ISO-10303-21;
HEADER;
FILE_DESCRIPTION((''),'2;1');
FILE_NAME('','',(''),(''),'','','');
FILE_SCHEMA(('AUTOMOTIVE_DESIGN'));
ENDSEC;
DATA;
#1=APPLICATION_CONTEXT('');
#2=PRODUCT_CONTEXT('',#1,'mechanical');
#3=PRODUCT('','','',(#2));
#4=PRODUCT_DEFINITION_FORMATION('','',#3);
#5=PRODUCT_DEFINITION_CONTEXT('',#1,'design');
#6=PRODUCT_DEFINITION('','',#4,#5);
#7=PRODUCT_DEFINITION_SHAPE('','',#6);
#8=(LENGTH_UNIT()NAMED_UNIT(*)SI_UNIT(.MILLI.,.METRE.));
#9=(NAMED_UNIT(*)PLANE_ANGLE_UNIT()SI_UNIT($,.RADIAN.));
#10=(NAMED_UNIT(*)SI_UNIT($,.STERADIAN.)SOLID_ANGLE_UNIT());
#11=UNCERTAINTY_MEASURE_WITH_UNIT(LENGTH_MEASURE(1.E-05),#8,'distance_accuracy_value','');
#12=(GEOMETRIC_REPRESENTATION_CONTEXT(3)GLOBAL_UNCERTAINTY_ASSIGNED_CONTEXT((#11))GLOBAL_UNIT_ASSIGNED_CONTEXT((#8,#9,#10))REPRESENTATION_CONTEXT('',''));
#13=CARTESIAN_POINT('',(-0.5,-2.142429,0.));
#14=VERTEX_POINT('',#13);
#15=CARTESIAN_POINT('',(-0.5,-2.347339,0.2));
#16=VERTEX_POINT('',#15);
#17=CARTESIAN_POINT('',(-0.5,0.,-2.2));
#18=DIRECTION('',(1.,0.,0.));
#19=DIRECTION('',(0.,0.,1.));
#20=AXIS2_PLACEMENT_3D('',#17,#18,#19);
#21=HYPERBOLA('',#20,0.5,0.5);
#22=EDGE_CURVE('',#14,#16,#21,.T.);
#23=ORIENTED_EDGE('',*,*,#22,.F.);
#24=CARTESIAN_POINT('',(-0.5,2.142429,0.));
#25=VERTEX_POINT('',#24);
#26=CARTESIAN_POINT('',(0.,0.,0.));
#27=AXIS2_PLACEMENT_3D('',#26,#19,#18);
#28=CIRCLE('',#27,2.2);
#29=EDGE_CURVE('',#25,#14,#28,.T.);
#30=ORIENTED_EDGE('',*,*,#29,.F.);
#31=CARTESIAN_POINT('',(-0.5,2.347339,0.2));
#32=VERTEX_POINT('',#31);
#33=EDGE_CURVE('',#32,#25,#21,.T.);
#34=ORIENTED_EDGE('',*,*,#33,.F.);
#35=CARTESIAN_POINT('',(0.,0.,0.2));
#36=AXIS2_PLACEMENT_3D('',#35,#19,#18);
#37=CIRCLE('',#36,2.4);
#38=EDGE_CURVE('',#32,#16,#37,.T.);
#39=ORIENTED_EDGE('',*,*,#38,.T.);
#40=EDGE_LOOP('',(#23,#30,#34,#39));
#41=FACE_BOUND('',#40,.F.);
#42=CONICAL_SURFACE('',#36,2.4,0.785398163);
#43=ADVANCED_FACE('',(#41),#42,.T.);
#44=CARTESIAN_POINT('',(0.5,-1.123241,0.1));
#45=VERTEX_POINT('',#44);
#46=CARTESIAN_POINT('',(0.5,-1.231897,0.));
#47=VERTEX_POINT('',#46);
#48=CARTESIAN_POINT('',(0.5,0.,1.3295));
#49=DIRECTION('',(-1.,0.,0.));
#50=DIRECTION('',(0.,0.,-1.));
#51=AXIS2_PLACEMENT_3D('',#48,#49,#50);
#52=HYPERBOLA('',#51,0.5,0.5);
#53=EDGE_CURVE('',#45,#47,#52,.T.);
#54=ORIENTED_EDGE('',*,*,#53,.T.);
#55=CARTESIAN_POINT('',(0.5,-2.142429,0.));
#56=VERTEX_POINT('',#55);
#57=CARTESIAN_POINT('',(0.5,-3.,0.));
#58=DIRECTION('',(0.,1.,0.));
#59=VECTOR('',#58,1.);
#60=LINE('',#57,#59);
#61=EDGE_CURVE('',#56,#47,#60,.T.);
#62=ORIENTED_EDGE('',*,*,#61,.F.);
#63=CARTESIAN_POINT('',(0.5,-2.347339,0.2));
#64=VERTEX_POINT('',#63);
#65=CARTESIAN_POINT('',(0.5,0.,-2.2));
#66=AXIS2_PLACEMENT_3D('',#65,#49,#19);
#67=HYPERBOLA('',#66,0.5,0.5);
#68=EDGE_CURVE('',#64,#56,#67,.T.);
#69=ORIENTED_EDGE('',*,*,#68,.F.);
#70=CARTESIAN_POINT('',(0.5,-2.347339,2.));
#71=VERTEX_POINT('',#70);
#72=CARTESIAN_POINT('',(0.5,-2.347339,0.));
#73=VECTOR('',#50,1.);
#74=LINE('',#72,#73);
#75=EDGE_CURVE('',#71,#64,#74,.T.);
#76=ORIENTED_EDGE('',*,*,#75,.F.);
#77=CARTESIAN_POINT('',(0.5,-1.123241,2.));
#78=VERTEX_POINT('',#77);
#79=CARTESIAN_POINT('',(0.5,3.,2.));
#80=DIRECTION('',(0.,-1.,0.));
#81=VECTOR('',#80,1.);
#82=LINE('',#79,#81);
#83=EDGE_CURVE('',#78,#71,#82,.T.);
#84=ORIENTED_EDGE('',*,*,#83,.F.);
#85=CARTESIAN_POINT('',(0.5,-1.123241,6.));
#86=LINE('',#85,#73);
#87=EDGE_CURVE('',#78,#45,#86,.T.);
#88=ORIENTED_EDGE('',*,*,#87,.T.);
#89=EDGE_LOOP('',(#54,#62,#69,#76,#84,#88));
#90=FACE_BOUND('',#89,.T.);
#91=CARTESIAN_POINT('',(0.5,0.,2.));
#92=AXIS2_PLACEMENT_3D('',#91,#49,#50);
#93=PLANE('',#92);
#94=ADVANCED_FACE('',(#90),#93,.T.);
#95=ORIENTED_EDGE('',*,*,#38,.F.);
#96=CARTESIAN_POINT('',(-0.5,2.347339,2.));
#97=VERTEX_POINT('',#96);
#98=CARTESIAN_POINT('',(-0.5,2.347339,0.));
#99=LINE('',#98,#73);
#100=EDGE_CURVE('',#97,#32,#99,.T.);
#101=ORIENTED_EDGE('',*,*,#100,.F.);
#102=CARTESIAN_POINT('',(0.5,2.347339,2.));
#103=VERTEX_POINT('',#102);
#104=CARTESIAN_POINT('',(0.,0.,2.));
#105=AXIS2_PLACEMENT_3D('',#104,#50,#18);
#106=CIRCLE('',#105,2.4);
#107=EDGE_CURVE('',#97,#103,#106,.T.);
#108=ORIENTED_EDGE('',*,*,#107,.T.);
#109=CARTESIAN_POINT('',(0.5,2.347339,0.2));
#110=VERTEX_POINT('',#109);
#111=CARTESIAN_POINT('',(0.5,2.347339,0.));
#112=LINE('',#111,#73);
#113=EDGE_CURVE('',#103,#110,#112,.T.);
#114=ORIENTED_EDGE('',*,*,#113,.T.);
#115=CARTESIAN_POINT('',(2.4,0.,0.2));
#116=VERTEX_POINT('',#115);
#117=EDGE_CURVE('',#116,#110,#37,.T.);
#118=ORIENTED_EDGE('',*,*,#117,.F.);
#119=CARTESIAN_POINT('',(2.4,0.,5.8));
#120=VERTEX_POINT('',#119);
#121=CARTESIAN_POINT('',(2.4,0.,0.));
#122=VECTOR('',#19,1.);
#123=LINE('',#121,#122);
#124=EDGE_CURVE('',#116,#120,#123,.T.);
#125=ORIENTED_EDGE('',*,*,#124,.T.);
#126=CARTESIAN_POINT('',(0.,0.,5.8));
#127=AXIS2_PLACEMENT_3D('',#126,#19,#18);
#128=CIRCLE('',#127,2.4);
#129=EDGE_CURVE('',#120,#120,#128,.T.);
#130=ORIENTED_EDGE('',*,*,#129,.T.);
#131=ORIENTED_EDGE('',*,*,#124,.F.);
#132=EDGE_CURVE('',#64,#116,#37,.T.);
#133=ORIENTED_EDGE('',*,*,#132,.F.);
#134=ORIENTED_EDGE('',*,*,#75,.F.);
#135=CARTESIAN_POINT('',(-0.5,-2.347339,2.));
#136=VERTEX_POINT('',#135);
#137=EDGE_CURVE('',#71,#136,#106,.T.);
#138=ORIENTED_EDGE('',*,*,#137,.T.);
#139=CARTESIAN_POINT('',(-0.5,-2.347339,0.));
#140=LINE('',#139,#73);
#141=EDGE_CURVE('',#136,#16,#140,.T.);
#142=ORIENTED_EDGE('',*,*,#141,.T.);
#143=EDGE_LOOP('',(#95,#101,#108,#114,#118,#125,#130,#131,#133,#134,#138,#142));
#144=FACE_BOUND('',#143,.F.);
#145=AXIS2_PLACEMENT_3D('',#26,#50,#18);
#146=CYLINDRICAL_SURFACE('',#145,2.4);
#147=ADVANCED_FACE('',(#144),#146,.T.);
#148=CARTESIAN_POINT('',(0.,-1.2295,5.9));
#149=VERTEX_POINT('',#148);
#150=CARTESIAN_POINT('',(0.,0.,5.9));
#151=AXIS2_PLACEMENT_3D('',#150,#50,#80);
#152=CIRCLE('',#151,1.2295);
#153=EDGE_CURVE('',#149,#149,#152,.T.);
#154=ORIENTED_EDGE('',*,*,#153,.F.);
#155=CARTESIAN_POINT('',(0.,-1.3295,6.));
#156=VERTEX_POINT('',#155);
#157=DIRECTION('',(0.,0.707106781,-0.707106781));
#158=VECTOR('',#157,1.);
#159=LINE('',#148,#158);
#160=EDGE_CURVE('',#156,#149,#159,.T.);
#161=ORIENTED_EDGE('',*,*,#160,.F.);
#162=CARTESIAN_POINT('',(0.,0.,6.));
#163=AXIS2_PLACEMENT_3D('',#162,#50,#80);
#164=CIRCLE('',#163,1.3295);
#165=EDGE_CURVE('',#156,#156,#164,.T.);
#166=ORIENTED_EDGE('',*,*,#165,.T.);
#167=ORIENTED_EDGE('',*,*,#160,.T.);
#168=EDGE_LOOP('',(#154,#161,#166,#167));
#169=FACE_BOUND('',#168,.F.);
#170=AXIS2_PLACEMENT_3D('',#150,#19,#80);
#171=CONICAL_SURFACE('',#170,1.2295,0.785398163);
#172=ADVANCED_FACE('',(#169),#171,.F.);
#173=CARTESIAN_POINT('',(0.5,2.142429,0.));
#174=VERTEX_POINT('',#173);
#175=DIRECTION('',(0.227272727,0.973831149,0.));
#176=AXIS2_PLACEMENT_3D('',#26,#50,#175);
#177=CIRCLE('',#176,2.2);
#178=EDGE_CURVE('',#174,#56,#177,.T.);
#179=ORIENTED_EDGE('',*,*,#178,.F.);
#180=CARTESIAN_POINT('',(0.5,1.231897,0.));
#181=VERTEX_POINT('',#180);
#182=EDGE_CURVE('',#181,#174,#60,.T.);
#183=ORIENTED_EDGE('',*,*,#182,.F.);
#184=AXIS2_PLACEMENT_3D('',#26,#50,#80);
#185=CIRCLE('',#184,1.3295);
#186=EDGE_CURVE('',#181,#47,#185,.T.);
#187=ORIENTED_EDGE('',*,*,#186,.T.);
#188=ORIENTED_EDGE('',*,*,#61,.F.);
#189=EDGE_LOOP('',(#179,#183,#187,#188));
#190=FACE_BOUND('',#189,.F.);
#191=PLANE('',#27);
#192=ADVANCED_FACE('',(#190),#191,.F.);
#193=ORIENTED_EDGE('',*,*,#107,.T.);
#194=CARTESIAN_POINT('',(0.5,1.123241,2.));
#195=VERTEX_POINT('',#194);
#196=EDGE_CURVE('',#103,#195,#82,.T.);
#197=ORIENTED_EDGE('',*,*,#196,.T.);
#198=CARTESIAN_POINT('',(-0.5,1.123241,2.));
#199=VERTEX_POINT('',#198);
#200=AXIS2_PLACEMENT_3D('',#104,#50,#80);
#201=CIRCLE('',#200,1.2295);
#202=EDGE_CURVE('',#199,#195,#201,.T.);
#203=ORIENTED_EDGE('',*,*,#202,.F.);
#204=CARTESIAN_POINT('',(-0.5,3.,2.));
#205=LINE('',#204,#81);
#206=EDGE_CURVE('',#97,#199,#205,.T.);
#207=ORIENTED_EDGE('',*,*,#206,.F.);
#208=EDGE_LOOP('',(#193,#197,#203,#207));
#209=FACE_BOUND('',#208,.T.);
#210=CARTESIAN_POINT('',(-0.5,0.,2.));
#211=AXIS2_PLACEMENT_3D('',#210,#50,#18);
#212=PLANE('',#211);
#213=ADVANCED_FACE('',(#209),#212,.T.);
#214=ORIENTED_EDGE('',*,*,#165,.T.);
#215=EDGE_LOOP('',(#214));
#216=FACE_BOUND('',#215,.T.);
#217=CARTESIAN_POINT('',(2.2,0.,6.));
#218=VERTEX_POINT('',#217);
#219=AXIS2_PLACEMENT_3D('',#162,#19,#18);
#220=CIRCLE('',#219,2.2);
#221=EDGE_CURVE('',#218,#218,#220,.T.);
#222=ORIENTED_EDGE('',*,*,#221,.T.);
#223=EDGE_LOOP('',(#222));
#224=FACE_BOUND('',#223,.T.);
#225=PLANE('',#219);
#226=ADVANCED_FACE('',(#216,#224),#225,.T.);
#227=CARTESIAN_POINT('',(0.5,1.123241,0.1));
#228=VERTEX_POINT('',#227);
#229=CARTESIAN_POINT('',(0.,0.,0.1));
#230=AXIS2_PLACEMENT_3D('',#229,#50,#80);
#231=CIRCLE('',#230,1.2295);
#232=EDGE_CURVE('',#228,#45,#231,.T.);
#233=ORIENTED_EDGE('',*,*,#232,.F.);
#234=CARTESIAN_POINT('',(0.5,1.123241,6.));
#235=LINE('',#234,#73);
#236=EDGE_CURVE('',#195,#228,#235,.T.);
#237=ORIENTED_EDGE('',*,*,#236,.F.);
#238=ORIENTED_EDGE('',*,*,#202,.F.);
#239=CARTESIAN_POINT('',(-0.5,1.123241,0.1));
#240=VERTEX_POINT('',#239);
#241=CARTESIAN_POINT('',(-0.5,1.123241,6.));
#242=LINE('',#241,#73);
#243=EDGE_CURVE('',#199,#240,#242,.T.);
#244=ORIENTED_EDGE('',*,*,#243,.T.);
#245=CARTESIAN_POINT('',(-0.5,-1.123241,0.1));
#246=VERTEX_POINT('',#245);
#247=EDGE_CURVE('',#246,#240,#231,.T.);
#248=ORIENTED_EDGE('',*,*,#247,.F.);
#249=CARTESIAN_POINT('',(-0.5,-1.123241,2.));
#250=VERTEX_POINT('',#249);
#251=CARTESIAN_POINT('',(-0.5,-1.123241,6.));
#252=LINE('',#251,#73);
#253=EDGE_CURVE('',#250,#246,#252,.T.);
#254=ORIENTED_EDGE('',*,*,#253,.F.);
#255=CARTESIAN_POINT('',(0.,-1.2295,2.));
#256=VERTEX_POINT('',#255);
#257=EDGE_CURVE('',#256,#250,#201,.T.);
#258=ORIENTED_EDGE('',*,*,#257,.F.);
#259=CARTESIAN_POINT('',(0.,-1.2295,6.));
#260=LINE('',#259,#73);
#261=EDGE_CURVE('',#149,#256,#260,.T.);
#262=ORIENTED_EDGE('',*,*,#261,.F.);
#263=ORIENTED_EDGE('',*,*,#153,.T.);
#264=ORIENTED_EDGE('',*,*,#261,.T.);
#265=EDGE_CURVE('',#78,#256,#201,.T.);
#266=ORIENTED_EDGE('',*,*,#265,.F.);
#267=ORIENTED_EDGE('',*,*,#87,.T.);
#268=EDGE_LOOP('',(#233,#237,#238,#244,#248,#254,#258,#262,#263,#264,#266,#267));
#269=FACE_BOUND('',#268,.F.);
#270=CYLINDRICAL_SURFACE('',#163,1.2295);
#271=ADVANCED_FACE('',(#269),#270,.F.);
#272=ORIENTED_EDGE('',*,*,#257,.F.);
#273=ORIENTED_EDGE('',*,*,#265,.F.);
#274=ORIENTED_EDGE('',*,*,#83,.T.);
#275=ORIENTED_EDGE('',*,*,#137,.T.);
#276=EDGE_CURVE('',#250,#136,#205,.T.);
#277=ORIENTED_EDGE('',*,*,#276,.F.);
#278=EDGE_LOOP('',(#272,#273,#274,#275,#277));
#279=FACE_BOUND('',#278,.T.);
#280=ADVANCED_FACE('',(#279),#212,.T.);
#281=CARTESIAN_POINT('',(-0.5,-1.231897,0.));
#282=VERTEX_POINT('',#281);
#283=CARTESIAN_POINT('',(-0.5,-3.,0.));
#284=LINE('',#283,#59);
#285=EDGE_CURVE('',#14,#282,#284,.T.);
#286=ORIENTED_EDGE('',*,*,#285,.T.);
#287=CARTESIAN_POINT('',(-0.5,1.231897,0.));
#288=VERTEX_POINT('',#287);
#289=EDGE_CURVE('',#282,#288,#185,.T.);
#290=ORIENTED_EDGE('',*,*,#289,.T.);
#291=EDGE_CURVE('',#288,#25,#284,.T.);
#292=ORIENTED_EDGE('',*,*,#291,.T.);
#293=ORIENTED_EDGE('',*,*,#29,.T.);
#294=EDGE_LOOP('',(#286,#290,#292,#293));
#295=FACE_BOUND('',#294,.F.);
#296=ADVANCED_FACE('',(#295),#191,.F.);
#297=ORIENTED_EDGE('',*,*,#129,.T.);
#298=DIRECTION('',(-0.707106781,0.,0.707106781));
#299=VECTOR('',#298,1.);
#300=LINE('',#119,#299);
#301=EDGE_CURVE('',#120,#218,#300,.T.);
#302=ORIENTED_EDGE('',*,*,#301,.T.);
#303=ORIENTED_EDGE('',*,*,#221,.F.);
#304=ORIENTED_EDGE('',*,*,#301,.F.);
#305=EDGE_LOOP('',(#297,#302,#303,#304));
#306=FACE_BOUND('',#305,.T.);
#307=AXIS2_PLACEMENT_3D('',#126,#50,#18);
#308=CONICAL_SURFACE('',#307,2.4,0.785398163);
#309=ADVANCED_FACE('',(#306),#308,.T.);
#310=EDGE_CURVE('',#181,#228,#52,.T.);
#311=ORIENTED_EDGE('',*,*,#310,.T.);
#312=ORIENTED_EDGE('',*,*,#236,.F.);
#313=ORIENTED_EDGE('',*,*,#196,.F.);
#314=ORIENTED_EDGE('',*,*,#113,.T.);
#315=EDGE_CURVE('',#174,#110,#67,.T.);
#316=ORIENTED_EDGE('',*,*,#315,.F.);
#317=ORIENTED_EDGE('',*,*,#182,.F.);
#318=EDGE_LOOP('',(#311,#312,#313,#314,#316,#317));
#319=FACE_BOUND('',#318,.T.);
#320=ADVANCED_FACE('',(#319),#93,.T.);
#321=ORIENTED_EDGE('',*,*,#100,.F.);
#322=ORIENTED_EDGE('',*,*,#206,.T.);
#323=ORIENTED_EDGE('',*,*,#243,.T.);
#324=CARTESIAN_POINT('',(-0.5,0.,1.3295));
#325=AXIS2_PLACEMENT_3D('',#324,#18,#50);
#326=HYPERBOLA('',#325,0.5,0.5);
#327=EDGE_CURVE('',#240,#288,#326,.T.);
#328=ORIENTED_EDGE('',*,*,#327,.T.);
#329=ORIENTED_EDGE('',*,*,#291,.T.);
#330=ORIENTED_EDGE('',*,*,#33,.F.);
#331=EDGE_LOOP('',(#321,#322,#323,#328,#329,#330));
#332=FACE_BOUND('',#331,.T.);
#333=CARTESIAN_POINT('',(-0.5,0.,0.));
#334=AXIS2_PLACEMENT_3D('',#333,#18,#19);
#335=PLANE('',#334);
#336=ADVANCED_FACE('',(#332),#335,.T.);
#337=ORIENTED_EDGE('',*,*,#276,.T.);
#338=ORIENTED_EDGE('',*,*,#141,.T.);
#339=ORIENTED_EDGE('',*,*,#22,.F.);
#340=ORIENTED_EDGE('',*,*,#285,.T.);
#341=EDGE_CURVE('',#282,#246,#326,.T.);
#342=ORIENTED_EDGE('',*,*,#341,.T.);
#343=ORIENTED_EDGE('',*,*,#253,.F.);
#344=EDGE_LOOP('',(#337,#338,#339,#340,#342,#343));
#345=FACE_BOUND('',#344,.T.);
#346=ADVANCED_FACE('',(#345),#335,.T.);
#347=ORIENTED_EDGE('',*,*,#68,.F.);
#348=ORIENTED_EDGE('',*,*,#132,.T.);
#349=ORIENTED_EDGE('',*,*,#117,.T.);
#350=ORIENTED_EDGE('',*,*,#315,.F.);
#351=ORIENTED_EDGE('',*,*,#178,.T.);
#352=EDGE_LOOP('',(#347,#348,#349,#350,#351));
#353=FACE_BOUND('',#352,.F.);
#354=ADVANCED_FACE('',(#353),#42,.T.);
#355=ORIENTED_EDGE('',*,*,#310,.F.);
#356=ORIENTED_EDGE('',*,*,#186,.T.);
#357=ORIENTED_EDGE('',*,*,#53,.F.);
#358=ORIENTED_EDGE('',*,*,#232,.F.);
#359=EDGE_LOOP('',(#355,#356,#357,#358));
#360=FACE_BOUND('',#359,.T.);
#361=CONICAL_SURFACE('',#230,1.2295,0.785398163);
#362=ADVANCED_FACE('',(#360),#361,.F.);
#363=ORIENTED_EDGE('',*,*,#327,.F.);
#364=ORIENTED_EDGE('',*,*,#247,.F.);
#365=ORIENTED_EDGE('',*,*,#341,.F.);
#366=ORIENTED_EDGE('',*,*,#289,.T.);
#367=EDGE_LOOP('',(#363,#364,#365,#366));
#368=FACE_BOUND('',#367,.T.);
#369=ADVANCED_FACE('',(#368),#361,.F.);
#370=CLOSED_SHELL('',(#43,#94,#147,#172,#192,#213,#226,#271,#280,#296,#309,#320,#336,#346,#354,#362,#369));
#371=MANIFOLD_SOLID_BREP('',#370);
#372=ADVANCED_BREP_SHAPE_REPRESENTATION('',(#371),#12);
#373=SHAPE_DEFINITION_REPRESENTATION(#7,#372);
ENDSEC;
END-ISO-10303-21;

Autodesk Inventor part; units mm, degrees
ref_plane "YZ Plane" through (0, 0, 0) normal (1, 0, 0) x (0, 1, 0)
ref_plane "XZ Plane" through (0, 0, 0) normal (0, 1, 0) x (-1, 0, 0)
ref_plane "XY Plane" through (0, 0, 0) normal (0, 0, 1) x (1, 0, 0)
sketch "Sketch1" plane through (0, 0, 0) normal (0, 0, 1) x (1, 0, 0)
  circle A0 centre (0, 0) radius 2.4
  dimension "d0" = 4.8
extrude "Extrusion1" add sketch "Sketch1" along normal blind 6
sketch "Sketch2" plane through (0, 0, 6) normal (0, 0, 1) x (1, 0, 0)
  point P0 (0, 0)
  point P1 (0, 0)
hole "Hole1" at (0, 0, 6) direction (0, 0, -1) diameter 2.459 end through all thread size "M3x0.5" class "6H" standard "ISO Metric profile"
chamfer "Chamfer1" distance 0.2 angle 45 2 edges at (-2.4, 0, 6) (-2.4, 0, 0)
chamfer "Chamfer2" distance 0.1 angle 45 2 edges at (0, 1.2295, 6) (0, 1.2295, 0)
thread "Thread2" size "M5x0.8" class "6g" standard "ANSI Metric M Profile" full length
sketch "Sketch4" plane through (0, 0, 0) normal (0, 1, 0) x (-1, 0, 0)
  line L0 (-0.5, 0) -> (0.5, 0)
  line L1 (0.5, 0) -> (0.5, 2)
  line L2 (0.5, 2) -> (-0.5, 2)
  line L3 (-0.5, 2) -> (-0.5, 0)
  point P0 (0, 0)
  dimension "d22" = 1
  dimension "d23" = 0.5
  dimension "d24" = 2
extrude "Extrusion2" cut sketch "Sketch4" along normal mid plane 6
equation "\"d23\" = 0.5 * d22"
properties part number "XGEN_M3_draadbus_4x6mm"
